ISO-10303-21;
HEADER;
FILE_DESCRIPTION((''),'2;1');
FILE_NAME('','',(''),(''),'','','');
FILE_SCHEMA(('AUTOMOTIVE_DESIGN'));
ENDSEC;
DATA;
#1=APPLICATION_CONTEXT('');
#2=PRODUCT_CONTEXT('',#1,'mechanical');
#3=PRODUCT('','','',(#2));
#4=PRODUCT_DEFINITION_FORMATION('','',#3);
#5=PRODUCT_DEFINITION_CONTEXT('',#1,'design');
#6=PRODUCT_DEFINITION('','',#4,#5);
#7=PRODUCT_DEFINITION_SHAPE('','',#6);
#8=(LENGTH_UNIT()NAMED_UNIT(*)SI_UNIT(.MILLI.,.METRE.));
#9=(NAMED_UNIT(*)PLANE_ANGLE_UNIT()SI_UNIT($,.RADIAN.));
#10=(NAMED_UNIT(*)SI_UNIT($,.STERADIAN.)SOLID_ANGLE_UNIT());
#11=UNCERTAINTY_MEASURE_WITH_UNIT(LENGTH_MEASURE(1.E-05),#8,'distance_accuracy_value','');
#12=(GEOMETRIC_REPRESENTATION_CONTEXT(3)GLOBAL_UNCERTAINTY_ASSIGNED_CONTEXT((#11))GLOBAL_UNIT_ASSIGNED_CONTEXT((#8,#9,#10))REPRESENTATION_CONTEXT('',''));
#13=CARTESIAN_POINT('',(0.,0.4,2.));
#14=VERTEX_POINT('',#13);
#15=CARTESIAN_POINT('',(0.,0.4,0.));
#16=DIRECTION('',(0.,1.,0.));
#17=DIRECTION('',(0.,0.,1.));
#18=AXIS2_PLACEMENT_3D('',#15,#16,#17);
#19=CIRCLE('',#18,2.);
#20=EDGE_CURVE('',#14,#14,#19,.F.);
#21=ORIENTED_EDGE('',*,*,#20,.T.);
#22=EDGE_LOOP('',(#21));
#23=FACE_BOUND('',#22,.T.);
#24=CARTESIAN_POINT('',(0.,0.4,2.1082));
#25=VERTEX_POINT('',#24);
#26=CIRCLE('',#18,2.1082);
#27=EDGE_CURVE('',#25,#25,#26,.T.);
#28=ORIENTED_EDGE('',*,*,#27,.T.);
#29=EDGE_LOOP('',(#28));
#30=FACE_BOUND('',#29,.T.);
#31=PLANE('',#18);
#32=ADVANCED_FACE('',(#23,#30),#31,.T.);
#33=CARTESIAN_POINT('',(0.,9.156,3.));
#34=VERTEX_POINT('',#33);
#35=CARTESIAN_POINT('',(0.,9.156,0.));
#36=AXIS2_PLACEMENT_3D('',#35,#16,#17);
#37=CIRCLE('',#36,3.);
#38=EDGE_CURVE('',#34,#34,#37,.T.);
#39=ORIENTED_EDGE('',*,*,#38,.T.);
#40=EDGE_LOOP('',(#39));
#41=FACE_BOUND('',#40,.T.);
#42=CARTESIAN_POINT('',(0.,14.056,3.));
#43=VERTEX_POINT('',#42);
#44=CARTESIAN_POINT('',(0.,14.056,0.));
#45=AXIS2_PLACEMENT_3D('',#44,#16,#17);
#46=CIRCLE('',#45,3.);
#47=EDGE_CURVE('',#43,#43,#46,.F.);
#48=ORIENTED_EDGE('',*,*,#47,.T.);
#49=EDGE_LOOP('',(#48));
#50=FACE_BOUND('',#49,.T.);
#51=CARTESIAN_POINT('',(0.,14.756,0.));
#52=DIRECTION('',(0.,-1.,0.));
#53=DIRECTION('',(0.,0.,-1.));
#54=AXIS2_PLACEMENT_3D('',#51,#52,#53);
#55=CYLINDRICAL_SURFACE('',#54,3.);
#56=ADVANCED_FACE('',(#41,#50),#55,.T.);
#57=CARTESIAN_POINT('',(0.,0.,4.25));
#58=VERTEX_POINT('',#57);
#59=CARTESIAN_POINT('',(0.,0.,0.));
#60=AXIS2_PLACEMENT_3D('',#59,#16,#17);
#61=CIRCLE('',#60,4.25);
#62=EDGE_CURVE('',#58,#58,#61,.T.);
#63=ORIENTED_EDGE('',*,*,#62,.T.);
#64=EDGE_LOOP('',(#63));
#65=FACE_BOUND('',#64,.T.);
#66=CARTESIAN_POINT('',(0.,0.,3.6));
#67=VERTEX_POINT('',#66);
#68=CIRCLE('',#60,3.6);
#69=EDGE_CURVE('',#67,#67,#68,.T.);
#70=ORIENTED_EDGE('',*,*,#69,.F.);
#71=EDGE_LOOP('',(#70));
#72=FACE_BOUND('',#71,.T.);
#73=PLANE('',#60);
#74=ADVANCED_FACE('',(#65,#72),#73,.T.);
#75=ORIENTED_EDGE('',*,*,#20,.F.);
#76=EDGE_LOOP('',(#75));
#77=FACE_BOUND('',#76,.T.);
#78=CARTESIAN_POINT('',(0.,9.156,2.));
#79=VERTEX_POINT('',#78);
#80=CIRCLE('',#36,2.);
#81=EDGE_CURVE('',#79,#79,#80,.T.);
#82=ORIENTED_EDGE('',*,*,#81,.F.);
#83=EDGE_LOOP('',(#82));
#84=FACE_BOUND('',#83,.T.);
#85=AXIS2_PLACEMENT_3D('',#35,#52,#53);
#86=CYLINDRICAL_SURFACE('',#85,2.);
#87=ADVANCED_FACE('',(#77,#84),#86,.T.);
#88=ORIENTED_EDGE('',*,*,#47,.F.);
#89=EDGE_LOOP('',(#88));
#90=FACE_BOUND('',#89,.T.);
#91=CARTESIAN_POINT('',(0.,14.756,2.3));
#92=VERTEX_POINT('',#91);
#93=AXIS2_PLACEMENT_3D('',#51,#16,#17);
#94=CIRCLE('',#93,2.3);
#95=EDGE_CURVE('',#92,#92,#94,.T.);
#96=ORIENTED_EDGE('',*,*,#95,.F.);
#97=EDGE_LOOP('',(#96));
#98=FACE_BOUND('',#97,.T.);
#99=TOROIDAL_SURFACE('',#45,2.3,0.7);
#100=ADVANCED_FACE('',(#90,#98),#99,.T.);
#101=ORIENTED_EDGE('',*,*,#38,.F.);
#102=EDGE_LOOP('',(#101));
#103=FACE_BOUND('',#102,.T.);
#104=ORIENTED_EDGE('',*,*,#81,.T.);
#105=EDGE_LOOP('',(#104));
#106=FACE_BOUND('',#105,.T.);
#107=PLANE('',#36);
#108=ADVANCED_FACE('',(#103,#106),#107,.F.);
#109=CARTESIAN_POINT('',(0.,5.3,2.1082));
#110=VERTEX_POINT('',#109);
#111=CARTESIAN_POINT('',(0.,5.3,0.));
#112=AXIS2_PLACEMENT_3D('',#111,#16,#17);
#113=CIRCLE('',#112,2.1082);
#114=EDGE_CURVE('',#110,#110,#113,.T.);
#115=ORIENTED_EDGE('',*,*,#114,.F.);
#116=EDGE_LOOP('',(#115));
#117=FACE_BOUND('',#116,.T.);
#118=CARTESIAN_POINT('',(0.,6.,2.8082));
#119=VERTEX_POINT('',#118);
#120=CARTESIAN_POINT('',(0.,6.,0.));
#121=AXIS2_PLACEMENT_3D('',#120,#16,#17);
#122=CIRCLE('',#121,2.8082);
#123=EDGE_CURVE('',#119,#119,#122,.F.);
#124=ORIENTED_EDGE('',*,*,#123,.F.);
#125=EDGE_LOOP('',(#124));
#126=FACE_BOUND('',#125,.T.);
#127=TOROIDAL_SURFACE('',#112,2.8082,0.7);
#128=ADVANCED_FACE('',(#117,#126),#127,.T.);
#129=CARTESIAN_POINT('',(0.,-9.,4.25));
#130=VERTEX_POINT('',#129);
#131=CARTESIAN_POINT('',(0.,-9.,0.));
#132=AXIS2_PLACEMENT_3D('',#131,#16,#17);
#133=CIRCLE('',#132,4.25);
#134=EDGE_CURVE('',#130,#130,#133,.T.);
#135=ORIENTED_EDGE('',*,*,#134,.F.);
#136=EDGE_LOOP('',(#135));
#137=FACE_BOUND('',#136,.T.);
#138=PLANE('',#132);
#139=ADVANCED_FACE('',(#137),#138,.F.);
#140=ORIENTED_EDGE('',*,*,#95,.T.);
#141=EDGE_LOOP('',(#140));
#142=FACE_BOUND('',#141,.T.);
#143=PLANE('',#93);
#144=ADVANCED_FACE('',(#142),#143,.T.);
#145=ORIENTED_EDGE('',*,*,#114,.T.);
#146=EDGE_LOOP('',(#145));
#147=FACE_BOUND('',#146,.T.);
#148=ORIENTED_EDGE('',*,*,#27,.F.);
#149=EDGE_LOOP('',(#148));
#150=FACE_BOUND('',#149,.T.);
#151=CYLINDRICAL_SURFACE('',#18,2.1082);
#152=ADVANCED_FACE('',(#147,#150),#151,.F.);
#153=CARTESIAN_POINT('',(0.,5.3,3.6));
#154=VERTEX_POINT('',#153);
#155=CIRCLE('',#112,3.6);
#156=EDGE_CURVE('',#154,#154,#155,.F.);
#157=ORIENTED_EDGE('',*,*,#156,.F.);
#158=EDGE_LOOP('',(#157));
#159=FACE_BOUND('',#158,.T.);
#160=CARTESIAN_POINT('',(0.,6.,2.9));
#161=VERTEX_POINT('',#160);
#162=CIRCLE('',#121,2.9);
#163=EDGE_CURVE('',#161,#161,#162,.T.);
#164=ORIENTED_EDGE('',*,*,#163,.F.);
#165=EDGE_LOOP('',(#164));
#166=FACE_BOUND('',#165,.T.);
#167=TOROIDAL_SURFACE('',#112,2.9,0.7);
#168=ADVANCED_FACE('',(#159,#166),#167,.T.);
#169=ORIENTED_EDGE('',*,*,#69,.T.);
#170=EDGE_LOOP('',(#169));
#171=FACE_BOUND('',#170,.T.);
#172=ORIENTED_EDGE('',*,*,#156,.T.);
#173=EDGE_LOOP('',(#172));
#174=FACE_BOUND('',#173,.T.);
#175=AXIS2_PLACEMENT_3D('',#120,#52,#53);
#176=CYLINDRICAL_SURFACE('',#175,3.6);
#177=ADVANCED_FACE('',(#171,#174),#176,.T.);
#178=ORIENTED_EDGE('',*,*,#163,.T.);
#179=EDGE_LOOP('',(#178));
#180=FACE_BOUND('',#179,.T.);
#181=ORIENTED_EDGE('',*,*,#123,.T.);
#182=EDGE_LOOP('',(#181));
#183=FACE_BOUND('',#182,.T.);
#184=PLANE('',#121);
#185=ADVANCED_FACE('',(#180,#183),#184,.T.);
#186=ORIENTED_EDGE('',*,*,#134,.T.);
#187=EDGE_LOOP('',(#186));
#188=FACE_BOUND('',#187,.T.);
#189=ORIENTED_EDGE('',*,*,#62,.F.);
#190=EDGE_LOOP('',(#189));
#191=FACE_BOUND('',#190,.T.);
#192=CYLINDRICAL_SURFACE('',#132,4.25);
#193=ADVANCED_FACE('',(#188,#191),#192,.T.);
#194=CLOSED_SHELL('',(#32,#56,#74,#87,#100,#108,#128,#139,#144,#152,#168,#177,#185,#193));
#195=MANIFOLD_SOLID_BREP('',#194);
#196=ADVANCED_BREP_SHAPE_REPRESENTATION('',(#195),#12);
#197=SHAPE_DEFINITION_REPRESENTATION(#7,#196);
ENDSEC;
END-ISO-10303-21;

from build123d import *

# Parameters (mm, degrees)
SKETCH1_R           = 3.6
BOSS_EXTRUDE2_DEPTH = 6
SKETCH4_R           = 4.250000009
BOSS_EXTRUDE3_DEPTH = 9
SKETCH7_R           = 2.1082
CUT_EXTRUDE3_DEPTH  = 5.6
SKETCH5_R           = 2.000000064
BOSS_EXTRUDE6_DEPTH = 9.156
FILLET3_R           = 0.7
SKETCH9_R           = 3.000000096
BOSS_EXTRUDE7_DEPTH = 5.6
FILLET4_R           = 0.7


with BuildPart() as part:
    # Sketch1 → Boss-Extrude2 (new body)
    with BuildSketch(Plane(origin=(0, 0, 0), x_dir=(1, 0, 0), z_dir=(0, 1, 0))):
        with Locations(Location((0, 0, 0), (0, 0, 270))):
            Circle(SKETCH1_R)
    extrude(amount=BOSS_EXTRUDE2_DEPTH)

    # Sketch4 → Boss-Extrude3 (add)
    with BuildSketch(Plane(origin=(0, 0, 0), x_dir=(1, 0, 0), z_dir=(0, 1, 0))):
        with Locations(Location((0, 0, 0), (0, 0, 270))):
            Circle(SKETCH4_R)
    extrude(amount=-BOSS_EXTRUDE3_DEPTH)

    # Sketch7 → Cut-Extrude3 (cut)
    with BuildSketch(Plane(origin=(0, 6, 0), x_dir=(1, 0, 0), z_dir=(0, 1, 0))):
        with Locations(Location((0, 0, 0), (0, 0, 270))):
            Circle(SKETCH7_R)
    extrude(amount=-CUT_EXTRUDE3_DEPTH, mode=Mode.SUBTRACT)

    # Sketch5 → Boss-Extrude6 (add)
    with BuildSketch(Plane(origin=(0, 0, 0), x_dir=(1, 0, 0), z_dir=(0, 1, 0))):
        with Locations(Location((0, 0, 0), (0, 0, 270))):
            Circle(SKETCH5_R)
    extrude(amount=BOSS_EXTRUDE6_DEPTH)

    # Fillet3
    fillet3_edges = [part.edges().sort_by_distance(p)[0] for p in [
        (0, 6, -2.1082),
        (0, 6, -3.6),
    ]]
    fillet(fillet3_edges, radius=FILLET3_R)

    # Sketch9 → Boss-Extrude7 (add)
    with BuildSketch(Plane(origin=(0, 9.156, 0), x_dir=(1, 0, 0), z_dir=(0, 1, 0))):
        with Locations(Location((0, 0, 0), (0, 0, 270))):
            Circle(SKETCH9_R)
    extrude(amount=BOSS_EXTRUDE7_DEPTH)

    # Fillet4
    fillet4_edges = [part.edges().sort_by_distance(p)[0] for p in [
        (0, 14.756, -3.000000096),
    ]]
    fillet(fillet4_edges, radius=FILLET4_R)


solid = part.part
